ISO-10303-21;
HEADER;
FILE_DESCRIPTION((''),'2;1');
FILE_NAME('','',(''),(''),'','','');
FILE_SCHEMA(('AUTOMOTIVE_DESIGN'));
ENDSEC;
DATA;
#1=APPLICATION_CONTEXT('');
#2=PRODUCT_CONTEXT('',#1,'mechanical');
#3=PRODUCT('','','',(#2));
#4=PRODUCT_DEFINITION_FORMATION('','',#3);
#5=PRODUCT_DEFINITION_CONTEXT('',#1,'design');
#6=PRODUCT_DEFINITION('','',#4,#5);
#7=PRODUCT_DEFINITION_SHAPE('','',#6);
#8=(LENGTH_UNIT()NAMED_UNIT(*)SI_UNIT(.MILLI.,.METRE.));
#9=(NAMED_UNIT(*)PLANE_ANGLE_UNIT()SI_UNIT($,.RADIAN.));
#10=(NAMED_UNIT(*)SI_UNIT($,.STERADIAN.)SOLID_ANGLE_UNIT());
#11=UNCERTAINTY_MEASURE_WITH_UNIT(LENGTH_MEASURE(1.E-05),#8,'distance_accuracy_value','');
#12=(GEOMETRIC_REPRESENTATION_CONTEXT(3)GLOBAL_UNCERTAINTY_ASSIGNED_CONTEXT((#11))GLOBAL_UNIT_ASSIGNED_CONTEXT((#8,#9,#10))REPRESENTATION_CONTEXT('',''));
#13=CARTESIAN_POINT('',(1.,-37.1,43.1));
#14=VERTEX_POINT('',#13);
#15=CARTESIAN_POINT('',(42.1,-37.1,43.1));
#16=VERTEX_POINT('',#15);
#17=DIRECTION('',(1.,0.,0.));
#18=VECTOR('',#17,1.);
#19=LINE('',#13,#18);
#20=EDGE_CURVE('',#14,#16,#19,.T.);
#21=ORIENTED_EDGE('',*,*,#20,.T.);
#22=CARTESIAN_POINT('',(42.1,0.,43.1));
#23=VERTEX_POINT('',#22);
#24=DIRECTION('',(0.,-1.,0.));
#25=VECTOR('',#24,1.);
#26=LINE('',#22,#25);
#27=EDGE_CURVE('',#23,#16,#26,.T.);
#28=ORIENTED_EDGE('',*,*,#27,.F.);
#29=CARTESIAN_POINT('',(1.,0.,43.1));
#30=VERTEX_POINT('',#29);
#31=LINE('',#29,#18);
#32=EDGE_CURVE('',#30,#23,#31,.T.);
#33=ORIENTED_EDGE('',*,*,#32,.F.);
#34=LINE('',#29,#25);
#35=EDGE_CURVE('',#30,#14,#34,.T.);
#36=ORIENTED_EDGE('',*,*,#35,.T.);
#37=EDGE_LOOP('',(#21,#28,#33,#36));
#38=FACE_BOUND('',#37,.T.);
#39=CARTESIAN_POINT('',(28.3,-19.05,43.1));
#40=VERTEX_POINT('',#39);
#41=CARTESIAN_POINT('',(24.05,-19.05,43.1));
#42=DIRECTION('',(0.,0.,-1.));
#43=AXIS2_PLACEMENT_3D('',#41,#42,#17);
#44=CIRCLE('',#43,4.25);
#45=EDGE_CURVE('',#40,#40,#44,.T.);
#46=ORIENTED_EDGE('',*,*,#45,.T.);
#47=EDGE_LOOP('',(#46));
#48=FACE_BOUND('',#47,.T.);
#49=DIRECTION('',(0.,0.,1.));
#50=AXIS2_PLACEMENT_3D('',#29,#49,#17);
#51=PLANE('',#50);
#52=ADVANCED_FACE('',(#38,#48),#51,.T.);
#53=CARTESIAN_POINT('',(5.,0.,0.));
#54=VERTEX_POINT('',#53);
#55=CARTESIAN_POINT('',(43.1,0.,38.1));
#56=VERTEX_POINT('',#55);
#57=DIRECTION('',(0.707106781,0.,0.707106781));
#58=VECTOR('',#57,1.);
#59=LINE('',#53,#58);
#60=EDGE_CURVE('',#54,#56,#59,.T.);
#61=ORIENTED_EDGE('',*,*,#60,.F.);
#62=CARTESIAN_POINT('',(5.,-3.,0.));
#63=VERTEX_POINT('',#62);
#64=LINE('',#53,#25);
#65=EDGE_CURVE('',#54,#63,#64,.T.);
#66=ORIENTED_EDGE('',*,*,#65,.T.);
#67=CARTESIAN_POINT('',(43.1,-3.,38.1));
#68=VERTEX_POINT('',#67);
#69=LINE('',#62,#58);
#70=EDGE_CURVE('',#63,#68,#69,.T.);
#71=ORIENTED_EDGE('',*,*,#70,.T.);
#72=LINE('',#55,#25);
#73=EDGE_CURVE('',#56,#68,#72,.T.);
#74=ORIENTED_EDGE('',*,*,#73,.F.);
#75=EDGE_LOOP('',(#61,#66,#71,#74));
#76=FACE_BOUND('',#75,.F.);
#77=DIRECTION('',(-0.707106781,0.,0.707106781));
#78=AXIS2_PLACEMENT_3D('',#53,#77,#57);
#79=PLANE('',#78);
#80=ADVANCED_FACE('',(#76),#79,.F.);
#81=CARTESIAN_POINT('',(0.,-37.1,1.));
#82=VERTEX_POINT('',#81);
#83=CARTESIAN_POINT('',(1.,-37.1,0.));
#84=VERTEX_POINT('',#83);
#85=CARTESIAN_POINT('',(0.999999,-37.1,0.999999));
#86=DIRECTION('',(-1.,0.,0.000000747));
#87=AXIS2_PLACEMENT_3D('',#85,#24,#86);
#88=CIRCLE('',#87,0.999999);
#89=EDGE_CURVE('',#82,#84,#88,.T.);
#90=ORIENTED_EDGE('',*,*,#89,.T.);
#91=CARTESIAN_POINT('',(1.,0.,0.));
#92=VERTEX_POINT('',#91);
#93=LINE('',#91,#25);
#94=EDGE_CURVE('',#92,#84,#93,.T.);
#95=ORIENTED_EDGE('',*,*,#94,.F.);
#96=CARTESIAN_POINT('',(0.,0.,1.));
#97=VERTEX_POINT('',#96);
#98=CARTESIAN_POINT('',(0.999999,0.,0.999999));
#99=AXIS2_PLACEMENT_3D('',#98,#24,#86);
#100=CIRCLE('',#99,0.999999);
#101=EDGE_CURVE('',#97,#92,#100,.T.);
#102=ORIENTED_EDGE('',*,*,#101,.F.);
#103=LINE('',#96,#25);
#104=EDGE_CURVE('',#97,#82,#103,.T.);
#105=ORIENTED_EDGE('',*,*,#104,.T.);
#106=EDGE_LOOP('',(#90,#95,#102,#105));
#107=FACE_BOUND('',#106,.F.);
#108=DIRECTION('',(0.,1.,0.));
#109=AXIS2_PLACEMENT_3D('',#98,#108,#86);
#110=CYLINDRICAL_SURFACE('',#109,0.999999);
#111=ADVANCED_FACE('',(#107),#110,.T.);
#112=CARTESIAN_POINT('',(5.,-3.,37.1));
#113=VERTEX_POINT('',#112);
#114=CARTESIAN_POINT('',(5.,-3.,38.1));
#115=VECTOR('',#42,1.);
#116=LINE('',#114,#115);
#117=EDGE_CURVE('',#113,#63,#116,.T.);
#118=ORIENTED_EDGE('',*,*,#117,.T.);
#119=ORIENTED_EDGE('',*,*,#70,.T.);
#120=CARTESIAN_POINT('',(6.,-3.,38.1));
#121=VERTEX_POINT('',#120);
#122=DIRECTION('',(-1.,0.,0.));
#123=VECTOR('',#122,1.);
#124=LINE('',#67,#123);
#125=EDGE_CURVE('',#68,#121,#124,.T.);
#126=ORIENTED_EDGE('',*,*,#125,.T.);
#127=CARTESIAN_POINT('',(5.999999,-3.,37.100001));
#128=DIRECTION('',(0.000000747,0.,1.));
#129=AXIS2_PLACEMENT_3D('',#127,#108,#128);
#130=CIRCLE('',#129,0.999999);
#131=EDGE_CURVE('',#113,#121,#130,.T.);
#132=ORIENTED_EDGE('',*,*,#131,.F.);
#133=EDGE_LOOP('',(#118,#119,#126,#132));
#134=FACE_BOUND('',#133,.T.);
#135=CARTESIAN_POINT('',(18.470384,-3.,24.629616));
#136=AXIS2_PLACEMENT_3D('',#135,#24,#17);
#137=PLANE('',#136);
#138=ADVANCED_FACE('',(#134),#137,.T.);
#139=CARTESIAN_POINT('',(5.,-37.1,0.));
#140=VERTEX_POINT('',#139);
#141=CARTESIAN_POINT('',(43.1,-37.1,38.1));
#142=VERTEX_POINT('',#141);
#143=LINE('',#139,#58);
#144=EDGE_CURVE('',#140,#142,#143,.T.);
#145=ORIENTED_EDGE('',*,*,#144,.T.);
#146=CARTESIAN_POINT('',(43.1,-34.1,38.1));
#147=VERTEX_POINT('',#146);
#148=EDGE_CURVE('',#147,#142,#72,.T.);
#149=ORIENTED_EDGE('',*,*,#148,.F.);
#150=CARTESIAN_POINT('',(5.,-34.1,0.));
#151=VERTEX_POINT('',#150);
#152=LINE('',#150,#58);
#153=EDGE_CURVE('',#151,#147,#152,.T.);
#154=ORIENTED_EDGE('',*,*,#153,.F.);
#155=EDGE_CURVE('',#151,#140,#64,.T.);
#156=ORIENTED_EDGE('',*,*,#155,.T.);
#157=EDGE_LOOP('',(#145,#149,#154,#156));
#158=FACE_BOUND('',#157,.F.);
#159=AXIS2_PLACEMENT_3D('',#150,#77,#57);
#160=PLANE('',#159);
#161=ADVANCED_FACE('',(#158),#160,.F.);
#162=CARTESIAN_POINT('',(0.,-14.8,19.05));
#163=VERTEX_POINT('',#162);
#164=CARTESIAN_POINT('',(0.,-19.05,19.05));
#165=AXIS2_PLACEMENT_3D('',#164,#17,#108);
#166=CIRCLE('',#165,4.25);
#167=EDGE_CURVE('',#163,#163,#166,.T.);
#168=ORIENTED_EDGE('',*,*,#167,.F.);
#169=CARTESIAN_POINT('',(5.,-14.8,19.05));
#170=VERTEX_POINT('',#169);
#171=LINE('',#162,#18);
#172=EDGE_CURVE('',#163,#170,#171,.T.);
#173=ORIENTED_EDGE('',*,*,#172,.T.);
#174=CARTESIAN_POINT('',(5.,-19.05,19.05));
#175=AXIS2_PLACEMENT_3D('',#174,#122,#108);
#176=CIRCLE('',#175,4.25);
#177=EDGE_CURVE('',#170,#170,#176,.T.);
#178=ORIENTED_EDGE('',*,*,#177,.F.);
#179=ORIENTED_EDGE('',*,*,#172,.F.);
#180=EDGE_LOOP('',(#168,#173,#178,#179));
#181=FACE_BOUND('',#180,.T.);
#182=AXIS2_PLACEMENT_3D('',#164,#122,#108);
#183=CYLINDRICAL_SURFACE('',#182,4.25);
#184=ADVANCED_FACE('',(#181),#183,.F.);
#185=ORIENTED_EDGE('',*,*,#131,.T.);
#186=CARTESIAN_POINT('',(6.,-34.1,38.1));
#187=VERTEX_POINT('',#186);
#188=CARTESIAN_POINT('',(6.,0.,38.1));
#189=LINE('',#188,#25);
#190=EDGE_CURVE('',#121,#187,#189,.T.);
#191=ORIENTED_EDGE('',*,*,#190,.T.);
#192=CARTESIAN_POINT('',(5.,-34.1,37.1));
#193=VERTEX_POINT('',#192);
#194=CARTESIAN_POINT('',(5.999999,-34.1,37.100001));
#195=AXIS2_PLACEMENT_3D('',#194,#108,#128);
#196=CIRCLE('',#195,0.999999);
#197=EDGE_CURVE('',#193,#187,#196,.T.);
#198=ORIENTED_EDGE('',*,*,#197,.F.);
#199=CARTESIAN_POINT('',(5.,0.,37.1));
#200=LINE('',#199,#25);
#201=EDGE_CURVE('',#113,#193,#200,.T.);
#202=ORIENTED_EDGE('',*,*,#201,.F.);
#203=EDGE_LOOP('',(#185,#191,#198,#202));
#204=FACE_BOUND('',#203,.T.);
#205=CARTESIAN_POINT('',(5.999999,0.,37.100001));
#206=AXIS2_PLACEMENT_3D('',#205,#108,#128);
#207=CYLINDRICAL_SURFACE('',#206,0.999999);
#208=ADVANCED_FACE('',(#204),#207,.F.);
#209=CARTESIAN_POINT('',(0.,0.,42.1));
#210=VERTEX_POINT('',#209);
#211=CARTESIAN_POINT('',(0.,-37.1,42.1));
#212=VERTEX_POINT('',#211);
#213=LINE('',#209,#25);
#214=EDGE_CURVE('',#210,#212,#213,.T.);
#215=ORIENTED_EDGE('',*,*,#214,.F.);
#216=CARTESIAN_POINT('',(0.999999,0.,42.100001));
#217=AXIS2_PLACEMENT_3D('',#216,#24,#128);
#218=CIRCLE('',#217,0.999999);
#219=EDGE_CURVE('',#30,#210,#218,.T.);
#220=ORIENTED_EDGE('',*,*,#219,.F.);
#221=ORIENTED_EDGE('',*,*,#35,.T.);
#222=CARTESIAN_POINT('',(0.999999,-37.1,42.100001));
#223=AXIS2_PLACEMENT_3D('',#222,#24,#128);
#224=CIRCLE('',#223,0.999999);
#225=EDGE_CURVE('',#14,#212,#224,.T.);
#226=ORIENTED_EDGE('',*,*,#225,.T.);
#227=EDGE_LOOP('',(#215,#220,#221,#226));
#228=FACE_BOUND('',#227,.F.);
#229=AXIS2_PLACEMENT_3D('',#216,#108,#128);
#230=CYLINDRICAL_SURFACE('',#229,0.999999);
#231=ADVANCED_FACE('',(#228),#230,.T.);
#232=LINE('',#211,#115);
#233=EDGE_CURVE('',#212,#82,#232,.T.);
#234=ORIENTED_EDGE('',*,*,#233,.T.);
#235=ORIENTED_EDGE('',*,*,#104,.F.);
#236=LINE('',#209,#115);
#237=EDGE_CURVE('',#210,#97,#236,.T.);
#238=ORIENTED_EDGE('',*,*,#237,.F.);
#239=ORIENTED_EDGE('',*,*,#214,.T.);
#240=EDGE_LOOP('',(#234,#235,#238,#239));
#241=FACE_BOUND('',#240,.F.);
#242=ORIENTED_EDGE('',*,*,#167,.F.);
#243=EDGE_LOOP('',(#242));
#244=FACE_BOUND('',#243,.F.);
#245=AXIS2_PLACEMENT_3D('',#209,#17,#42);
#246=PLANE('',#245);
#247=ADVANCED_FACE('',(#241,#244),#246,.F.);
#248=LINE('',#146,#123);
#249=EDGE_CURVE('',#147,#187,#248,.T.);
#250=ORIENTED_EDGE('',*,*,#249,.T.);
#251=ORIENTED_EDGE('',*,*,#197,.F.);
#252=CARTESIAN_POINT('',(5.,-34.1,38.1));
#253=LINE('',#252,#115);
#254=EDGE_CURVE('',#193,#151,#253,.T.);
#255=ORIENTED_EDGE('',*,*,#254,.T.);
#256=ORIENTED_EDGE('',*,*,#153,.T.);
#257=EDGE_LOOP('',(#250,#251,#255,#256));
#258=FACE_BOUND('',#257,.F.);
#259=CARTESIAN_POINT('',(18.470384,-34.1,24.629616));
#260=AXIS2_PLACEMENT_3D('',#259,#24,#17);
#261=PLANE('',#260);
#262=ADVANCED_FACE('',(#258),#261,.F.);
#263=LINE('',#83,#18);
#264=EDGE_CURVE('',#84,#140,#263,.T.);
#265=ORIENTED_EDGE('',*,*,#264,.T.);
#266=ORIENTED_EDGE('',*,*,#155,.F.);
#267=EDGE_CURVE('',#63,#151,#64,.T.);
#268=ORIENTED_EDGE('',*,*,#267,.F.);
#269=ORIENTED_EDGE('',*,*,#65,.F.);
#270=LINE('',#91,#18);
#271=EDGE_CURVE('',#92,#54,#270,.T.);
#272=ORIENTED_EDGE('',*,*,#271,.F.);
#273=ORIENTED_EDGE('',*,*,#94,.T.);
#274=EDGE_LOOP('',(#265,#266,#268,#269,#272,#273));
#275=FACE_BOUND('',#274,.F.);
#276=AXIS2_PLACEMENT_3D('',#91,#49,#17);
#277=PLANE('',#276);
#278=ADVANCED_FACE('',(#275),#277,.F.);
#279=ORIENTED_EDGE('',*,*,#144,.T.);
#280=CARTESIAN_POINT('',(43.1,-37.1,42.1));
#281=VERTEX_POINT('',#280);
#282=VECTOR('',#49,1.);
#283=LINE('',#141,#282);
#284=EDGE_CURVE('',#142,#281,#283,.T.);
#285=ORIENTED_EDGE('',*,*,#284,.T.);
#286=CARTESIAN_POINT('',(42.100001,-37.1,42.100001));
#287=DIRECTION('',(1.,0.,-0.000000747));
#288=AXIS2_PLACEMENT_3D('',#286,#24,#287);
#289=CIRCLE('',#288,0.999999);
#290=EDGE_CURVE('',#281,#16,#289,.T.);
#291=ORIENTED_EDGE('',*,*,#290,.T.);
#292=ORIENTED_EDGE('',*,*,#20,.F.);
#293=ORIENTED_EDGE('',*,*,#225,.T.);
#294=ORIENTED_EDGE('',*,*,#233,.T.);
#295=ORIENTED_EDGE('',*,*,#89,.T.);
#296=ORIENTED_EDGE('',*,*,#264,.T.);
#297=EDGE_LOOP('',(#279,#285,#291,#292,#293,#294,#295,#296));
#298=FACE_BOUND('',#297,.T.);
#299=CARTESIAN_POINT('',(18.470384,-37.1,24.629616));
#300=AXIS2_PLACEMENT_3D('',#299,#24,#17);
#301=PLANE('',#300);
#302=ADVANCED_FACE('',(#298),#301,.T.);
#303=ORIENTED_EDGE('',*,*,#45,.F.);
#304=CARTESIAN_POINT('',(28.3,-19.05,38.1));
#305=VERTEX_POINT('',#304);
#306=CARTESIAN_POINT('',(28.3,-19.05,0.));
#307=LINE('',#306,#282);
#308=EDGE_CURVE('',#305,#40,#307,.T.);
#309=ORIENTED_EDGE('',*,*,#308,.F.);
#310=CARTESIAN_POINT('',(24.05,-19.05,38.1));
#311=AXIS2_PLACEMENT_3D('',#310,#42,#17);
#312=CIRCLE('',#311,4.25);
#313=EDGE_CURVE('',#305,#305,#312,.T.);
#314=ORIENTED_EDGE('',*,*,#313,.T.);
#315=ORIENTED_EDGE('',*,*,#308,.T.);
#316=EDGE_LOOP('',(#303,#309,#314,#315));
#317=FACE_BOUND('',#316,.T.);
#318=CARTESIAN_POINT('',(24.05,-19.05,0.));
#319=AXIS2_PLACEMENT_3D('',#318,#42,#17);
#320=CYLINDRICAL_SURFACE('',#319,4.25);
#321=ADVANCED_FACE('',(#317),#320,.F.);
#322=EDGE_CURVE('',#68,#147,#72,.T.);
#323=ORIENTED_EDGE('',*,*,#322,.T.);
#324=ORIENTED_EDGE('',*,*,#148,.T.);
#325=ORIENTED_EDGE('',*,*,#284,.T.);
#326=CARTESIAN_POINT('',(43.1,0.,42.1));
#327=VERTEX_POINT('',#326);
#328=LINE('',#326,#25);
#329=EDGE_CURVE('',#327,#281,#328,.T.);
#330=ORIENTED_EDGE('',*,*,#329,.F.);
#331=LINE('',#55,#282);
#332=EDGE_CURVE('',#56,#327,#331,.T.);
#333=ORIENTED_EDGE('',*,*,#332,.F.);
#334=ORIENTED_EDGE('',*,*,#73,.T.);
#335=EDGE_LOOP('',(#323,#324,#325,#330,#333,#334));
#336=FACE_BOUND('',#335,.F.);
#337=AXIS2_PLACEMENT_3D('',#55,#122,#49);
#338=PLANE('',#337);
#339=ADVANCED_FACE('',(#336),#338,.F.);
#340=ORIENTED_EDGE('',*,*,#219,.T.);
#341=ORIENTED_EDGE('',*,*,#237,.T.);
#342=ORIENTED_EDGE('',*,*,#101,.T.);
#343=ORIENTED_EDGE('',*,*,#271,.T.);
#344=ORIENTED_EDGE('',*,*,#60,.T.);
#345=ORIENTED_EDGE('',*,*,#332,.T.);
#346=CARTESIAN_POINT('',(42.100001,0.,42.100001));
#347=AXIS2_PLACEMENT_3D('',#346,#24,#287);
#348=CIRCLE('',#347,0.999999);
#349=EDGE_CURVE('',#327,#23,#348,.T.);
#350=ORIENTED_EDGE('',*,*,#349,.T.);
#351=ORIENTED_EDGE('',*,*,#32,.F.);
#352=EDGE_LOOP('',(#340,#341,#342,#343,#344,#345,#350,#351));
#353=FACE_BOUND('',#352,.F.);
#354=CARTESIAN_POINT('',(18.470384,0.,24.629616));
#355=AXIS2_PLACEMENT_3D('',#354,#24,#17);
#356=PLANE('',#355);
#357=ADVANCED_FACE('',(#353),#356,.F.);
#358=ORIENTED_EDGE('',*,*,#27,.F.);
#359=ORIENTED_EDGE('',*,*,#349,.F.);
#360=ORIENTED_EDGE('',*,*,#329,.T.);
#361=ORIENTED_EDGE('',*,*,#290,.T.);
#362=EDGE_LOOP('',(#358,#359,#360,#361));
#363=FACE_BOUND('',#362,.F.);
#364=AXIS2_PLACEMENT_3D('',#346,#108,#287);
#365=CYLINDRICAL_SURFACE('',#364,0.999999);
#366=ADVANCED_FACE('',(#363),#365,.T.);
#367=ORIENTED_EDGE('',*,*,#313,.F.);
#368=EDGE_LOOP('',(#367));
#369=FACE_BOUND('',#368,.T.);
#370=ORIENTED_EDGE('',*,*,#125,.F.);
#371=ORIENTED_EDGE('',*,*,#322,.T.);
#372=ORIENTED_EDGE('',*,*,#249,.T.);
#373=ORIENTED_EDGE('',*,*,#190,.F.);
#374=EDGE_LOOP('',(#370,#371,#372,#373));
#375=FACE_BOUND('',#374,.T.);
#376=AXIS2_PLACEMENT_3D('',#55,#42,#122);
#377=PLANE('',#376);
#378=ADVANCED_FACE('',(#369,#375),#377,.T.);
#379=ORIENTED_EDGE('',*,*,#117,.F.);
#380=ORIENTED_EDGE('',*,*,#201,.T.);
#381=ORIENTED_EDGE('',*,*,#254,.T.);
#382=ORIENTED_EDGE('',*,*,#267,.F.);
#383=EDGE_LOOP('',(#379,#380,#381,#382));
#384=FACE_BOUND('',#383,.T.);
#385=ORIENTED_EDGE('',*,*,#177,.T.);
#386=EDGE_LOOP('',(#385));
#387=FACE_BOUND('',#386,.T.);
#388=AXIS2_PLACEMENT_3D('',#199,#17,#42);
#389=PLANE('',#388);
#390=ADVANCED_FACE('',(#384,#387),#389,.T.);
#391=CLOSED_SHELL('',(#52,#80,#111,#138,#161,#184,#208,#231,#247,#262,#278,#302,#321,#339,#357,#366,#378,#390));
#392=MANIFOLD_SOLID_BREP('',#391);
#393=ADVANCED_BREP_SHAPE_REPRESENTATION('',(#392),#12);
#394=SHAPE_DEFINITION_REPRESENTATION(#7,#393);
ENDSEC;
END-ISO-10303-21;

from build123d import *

# Parameters (mm, degrees)
PAD001_DEPTH    = 37.1
SKETCH_R        = 4.25
POCKET_DEPTH    = 43.101
SKETCH002_R     = 4.25
POCKET001_DEPTH = 43.101
PAD_DEPTH       = 3
PAD002_DEPTH    = 3


with BuildPart() as part:
    # Sketch001 → Pad001 (new body)
    with BuildSketch(Plane.XZ):
        with BuildLine():
            Line((1, 43.1), (42.1, 43.1))
            ThreePointArc((43.1, 42.1), (42.807107, 42.807107), (42.1, 43.1))
            Line((43.1, 38.1), (43.1, 42.1))
            Line((43.1, 38.1), (6, 38.1))
            ThreePointArc((6, 38.1), (5.292893, 37.807107), (5, 37.1))
            Line((5, 37.1), (5, 0))
            Line((1, 0), (5, 0))
            ThreePointArc((0, 1), (0.292893, 0.292893), (1, 0))
            Line((0, 42.1), (0, 1))
            ThreePointArc((1, 43.1), (0.292893, 42.807107), (0, 42.1))
        make_face()
    extrude(amount=PAD001_DEPTH)

    # Sketch → Pocket (cut, through all)
    with BuildSketch(Plane.XY):
        with Locations((24.05, -19.05)):
            Circle(SKETCH_R)
    extrude(amount=POCKET_DEPTH, mode=Mode.SUBTRACT)

    # Sketch002 → Pocket001 (cut, through all)
    with BuildSketch(Plane.YZ):
        with Locations((-19.05, 19.05)):
            Circle(SKETCH002_R)
    extrude(amount=POCKET001_DEPTH, mode=Mode.SUBTRACT)

    # Sketch003 → Pad (join)
    with BuildSketch(Plane.XZ):
        Polygon((5, 0), (43.1, 38.1), (5, 38.1), align=None)
    extrude(amount=PAD_DEPTH)

    # Sketch004 → Pad002 (join)
    with BuildSketch(Plane.XZ.offset(34.1)):
        Polygon((5, 0), (43.1, 38.1), (5, 38.1), align=None)
    extrude(amount=PAD002_DEPTH)


solid = part.part
